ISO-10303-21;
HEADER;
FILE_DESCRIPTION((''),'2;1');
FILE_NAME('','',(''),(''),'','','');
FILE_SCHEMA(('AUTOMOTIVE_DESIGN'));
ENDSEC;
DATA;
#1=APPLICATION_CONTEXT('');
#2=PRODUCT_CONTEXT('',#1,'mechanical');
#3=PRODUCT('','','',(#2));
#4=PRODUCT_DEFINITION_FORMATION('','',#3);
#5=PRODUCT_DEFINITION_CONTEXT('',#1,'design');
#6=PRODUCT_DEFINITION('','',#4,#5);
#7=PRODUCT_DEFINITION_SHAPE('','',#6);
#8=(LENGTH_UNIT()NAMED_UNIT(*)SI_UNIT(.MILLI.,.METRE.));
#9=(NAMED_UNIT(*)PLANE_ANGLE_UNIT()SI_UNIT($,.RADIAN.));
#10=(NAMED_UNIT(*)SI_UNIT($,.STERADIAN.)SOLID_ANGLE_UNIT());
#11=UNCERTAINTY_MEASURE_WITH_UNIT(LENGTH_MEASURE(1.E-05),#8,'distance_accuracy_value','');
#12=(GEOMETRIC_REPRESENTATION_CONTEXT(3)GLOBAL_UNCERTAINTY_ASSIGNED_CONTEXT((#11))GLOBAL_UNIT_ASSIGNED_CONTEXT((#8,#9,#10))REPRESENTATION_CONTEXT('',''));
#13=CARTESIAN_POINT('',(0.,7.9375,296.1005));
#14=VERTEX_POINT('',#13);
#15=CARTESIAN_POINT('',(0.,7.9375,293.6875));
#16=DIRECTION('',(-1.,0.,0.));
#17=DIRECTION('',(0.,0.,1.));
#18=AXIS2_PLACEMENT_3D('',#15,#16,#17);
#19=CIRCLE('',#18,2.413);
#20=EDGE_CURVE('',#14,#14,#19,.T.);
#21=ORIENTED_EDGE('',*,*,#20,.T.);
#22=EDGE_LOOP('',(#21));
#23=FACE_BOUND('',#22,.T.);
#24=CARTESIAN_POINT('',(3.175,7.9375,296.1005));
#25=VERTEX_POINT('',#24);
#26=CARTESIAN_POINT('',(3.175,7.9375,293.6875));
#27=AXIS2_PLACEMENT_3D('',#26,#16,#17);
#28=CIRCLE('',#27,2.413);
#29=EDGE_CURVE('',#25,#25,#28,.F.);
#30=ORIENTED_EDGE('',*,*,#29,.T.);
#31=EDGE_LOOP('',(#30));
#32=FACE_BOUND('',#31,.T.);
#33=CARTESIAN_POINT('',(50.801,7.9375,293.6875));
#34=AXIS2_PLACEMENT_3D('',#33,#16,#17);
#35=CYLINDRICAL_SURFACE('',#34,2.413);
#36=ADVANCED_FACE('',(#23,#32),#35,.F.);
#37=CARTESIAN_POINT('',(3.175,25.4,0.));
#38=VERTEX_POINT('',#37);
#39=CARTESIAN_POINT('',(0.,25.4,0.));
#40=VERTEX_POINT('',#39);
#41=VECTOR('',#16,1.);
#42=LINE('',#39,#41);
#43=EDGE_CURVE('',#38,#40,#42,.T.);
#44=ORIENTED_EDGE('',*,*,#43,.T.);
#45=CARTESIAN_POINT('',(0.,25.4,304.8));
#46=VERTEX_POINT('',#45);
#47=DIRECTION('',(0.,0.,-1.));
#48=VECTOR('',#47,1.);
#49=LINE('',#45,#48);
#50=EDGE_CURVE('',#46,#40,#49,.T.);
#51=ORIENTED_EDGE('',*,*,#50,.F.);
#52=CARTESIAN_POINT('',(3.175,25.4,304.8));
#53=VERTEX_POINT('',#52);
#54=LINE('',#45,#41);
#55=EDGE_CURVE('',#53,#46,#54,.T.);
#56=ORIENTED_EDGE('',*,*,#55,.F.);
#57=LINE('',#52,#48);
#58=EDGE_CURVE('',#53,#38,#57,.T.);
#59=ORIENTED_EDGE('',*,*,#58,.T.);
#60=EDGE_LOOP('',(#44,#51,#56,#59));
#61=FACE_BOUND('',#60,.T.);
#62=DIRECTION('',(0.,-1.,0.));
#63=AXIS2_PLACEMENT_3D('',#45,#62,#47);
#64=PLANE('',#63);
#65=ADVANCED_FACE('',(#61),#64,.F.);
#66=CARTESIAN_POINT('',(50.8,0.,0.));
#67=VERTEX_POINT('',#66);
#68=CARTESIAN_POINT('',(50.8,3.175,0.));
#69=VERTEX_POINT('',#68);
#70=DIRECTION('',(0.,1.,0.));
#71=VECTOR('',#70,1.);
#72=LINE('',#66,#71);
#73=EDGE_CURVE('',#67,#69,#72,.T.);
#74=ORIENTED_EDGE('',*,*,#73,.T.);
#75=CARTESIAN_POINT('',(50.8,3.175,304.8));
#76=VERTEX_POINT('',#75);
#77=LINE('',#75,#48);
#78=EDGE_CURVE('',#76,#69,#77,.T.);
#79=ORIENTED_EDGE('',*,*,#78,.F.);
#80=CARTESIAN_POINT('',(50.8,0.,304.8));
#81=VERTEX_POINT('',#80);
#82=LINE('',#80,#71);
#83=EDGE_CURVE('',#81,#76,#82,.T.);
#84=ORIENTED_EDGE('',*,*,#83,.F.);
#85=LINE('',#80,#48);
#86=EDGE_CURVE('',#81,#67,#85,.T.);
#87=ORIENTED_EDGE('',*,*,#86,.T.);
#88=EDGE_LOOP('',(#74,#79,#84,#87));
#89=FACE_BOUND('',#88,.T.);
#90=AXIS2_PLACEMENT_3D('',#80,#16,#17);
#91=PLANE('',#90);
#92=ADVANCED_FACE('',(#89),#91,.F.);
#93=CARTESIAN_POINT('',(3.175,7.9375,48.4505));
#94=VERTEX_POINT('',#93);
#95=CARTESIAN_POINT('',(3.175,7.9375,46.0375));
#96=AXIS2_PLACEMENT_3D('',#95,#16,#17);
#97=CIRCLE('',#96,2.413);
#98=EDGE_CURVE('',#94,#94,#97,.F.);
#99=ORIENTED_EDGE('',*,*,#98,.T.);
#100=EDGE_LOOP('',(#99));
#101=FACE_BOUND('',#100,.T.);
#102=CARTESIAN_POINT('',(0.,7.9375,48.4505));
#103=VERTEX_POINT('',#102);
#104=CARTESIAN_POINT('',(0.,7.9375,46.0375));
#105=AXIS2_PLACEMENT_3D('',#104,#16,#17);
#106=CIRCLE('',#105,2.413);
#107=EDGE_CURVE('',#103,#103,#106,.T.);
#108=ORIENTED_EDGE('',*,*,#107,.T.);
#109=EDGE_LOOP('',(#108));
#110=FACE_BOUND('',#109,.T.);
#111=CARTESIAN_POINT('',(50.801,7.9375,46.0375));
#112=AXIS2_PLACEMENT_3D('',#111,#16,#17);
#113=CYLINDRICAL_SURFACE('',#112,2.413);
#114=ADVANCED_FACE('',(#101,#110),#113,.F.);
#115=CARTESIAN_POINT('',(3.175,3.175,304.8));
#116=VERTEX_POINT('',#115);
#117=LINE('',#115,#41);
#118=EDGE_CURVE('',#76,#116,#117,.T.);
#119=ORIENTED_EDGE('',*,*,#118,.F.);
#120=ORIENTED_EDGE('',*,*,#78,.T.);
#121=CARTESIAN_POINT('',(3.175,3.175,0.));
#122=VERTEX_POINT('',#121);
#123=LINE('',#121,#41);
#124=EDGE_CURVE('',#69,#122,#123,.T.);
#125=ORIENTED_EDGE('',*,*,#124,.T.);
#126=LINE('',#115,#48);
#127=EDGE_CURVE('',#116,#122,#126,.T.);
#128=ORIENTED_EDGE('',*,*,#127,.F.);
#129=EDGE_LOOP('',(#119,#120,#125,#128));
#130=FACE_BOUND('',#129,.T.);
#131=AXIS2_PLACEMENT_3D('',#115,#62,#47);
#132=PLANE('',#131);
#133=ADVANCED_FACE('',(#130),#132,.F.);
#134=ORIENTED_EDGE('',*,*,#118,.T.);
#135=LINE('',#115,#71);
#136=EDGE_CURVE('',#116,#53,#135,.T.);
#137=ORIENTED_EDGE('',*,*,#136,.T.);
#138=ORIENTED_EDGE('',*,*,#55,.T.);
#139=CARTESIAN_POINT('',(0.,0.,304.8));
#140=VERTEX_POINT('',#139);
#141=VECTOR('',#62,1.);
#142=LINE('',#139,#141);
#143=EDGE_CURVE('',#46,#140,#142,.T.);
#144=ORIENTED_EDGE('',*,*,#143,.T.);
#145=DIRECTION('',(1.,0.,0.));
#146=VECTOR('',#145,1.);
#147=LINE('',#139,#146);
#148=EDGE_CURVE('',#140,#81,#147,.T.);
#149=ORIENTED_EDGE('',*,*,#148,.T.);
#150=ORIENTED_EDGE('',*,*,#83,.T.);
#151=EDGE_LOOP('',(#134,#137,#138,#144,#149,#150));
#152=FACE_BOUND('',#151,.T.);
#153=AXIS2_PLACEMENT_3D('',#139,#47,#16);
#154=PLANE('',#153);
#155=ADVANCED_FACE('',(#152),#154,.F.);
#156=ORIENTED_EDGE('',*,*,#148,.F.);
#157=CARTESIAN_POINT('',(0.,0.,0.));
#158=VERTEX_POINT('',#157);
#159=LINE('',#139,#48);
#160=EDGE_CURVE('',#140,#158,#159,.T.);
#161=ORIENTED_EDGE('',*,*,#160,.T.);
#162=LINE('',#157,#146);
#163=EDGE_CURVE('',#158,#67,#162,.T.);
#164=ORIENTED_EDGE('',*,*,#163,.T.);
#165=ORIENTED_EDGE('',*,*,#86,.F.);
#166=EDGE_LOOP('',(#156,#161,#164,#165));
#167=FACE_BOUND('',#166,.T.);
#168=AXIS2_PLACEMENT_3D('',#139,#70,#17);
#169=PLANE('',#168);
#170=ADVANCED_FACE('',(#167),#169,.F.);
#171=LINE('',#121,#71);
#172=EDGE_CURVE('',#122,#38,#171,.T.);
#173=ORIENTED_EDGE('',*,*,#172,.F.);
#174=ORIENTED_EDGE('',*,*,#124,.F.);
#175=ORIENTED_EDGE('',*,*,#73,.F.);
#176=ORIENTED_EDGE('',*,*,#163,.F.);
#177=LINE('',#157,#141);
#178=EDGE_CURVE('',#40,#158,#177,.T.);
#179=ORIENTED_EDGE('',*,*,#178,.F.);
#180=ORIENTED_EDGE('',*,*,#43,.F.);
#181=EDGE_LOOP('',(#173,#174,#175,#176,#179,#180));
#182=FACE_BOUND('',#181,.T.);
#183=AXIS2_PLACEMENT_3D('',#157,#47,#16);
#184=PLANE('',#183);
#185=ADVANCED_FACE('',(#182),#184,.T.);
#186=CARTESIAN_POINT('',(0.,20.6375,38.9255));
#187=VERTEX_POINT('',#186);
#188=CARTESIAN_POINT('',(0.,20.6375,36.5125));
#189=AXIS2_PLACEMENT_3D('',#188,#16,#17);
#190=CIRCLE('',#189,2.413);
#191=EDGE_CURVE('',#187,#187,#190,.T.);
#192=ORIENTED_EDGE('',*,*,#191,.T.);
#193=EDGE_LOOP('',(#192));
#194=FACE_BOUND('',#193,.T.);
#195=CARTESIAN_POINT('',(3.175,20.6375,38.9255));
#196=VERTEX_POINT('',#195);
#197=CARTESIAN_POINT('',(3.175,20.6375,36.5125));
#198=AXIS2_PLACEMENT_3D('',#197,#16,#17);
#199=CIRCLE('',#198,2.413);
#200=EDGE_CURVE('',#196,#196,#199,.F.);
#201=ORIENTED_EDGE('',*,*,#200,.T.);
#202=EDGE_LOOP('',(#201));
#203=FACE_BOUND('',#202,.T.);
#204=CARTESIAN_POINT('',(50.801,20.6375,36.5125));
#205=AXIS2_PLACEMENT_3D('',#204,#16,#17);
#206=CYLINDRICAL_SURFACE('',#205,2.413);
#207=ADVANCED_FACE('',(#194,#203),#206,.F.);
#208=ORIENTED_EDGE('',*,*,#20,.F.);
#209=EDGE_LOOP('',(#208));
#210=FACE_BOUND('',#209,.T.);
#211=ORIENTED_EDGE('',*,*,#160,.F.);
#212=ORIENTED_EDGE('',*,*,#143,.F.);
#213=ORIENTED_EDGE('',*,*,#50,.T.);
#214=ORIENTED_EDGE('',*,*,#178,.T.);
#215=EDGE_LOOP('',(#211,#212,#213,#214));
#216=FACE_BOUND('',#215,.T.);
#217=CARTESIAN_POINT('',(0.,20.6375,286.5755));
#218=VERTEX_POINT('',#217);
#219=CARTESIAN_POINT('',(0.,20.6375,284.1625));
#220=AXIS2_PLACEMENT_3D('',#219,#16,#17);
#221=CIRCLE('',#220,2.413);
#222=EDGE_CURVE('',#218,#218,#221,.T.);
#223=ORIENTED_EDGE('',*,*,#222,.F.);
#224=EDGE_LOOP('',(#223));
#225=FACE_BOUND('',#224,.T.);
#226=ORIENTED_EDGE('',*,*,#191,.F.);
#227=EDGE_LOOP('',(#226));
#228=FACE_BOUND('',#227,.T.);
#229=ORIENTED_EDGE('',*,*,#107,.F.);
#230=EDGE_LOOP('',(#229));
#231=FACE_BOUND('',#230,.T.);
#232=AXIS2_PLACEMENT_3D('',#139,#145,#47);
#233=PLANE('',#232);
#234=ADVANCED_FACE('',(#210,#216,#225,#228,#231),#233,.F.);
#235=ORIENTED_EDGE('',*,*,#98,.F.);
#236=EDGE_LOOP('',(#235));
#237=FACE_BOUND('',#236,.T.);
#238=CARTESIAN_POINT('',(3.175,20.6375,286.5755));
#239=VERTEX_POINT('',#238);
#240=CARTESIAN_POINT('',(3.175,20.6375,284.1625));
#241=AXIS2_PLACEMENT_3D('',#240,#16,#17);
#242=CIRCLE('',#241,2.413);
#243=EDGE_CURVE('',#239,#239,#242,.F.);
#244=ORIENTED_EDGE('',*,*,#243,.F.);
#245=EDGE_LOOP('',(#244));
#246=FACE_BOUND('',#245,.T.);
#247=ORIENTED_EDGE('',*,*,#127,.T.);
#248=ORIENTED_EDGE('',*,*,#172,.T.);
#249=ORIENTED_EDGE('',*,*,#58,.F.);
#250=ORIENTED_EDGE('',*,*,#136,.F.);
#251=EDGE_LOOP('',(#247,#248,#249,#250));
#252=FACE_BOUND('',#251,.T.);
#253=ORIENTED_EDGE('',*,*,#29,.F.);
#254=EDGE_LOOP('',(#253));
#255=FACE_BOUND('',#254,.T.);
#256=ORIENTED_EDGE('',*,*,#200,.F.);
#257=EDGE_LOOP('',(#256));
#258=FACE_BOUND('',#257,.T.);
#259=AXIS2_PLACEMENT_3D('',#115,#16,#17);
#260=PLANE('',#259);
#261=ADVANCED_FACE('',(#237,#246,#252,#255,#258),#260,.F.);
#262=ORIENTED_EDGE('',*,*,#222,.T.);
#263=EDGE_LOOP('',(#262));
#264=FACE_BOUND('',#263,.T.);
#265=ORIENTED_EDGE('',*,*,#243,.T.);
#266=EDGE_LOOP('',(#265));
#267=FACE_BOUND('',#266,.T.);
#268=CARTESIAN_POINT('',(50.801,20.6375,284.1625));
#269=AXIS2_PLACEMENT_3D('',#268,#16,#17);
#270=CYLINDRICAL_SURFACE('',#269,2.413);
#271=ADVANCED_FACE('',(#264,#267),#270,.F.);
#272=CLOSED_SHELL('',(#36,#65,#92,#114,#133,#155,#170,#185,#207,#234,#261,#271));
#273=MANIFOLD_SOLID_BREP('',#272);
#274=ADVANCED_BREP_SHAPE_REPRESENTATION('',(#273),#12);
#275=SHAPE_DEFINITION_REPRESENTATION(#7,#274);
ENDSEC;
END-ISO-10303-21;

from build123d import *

# Parameters (mm, degrees)
BOSS_EXTRUDE1_DEPTH = 304.8
CUT_EXTRUDE1_REACH  = 312.047
SKETCH2_R           = 2.413


with BuildPart() as part:
    # Sketch1 → Boss-Extrude1 (new body)
    with BuildSketch(Plane.XY):
        Polygon((3.175, 3.175), (3.175, 25.4), (0, 25.4), (0, 0), (50.8, 0), (50.8, 3.175), align=None)
    extrude(amount=BOSS_EXTRUDE1_DEPTH)

    # Sketch2 → Cut-Extrude1 (cut, up to next)
    with BuildSketch(Plane.ZY, mode=Mode.PRIVATE) as cut_extrude1_sk1:
        with Locations((36.5125, 20.6375)):
            Circle(SKETCH2_R)
    cut_extrude1_tool1 = extrude(cut_extrude1_sk1.sketch, amount=-CUT_EXTRUDE1_REACH, mode=Mode.PRIVATE) & part.part
    # Sketch2 → Cut-Extrude1 (cut, up to next)
    with BuildSketch(Plane.ZY, mode=Mode.PRIVATE) as cut_extrude1_sk2:
        with Locations((46.0375, 7.9375)):
            Circle(SKETCH2_R)
    cut_extrude1_tool2 = extrude(cut_extrude1_sk2.sketch, amount=-CUT_EXTRUDE1_REACH, mode=Mode.PRIVATE) & part.part
    # Sketch2 → Cut-Extrude1 (cut, up to next)
    with BuildSketch(Plane.ZY, mode=Mode.PRIVATE) as cut_extrude1_sk3:
        with Locations((284.1625, 20.6375)):
            Circle(SKETCH2_R)
    cut_extrude1_tool3 = extrude(cut_extrude1_sk3.sketch, amount=-CUT_EXTRUDE1_REACH, mode=Mode.PRIVATE) & part.part
    # Sketch2 → Cut-Extrude1 (cut, up to next)
    with BuildSketch(Plane.ZY, mode=Mode.PRIVATE) as cut_extrude1_sk4:
        with Locations((293.6875, 7.9375)):
            Circle(SKETCH2_R)
    cut_extrude1_tool4 = extrude(cut_extrude1_sk4.sketch, amount=-CUT_EXTRUDE1_REACH, mode=Mode.PRIVATE) & part.part
    add(cut_extrude1_tool1.solids().sort_by_distance((0, 20.6375, 36.5125))[0], mode=Mode.SUBTRACT)
    add(cut_extrude1_tool2.solids().sort_by_distance((0, 7.9375, 46.0375))[0], mode=Mode.SUBTRACT)
    add(cut_extrude1_tool3.solids().sort_by_distance((0, 20.6375, 284.1625))[0], mode=Mode.SUBTRACT)
    add(cut_extrude1_tool4.solids().sort_by_distance((0, 7.9375, 293.6875))[0], mode=Mode.SUBTRACT)


solid = part.part
